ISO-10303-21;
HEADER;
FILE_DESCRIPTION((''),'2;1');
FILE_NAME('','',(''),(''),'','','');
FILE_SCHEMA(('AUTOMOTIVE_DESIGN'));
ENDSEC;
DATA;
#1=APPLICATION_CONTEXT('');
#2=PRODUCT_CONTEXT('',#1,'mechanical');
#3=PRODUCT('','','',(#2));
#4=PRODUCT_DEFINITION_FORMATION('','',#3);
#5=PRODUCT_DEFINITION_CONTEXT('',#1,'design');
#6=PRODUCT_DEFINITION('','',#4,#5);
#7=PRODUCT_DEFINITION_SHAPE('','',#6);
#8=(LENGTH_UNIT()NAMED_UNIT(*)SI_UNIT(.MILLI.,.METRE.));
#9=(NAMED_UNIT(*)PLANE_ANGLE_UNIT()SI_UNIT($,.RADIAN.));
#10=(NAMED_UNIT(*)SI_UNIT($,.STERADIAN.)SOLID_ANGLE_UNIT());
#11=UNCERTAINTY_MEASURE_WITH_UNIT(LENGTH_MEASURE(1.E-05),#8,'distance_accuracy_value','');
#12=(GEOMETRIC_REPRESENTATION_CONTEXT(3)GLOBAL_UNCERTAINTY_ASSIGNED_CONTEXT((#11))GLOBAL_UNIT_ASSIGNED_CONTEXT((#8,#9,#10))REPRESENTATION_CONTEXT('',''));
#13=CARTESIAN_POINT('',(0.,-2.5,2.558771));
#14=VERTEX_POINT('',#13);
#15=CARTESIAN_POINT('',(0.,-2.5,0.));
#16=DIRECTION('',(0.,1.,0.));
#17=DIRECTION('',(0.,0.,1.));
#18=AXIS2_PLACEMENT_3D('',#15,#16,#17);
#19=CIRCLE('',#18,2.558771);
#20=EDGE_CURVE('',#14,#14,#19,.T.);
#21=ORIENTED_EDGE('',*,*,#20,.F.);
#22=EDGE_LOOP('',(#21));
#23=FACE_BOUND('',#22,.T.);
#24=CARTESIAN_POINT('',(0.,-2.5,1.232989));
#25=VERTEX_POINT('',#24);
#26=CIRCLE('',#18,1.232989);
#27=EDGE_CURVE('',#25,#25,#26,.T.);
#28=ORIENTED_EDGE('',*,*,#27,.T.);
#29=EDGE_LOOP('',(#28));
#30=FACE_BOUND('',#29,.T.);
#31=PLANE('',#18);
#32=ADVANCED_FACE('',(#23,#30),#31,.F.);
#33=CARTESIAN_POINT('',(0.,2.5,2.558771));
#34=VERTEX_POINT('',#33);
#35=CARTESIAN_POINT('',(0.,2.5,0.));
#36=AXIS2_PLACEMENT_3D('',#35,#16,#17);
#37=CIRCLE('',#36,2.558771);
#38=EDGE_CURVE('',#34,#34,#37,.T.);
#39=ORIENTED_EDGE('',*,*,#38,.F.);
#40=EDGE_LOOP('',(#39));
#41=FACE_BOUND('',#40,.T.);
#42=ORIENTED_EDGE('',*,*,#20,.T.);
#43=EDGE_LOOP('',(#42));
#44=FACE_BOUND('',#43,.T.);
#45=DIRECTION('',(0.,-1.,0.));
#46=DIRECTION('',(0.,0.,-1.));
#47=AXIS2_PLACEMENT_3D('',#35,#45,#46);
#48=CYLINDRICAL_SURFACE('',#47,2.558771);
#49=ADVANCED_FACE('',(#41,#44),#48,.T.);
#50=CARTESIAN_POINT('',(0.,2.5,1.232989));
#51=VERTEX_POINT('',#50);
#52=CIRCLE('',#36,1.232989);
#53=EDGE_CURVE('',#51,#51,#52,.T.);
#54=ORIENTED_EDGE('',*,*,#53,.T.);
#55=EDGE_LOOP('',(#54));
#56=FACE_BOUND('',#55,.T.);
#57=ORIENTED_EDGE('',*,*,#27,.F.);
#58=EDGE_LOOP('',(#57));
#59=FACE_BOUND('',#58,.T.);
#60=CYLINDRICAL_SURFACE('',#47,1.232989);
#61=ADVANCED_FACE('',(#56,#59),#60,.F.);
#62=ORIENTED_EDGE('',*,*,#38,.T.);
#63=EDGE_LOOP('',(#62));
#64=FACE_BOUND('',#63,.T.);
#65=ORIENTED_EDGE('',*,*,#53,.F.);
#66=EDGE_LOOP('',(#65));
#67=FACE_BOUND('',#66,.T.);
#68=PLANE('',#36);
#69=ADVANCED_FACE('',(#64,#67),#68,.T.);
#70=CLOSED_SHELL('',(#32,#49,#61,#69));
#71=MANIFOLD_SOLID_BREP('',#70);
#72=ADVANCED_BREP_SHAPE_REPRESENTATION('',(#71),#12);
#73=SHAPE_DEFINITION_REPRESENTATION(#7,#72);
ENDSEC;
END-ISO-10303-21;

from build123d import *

# Parameters (mm, degrees)
SKETCH_1_R      = 2.558770985
SKETCH_1_R_2    = 1.232989381
EXTRUDE_1_DEPTH = 2.5


with BuildPart() as part:
    # 草图1 → 凸台-拉伸1 (new, symmetric)
    with BuildSketch(Plane(origin=(0, 0, 0), x_dir=(1, 0, 0), z_dir=(0, 1, 0))):
        Circle(SKETCH_1_R)
        Circle(SKETCH_1_R_2, mode=Mode.SUBTRACT)
    extrude(amount=EXTRUDE_1_DEPTH, both=True)


solid = part.part
